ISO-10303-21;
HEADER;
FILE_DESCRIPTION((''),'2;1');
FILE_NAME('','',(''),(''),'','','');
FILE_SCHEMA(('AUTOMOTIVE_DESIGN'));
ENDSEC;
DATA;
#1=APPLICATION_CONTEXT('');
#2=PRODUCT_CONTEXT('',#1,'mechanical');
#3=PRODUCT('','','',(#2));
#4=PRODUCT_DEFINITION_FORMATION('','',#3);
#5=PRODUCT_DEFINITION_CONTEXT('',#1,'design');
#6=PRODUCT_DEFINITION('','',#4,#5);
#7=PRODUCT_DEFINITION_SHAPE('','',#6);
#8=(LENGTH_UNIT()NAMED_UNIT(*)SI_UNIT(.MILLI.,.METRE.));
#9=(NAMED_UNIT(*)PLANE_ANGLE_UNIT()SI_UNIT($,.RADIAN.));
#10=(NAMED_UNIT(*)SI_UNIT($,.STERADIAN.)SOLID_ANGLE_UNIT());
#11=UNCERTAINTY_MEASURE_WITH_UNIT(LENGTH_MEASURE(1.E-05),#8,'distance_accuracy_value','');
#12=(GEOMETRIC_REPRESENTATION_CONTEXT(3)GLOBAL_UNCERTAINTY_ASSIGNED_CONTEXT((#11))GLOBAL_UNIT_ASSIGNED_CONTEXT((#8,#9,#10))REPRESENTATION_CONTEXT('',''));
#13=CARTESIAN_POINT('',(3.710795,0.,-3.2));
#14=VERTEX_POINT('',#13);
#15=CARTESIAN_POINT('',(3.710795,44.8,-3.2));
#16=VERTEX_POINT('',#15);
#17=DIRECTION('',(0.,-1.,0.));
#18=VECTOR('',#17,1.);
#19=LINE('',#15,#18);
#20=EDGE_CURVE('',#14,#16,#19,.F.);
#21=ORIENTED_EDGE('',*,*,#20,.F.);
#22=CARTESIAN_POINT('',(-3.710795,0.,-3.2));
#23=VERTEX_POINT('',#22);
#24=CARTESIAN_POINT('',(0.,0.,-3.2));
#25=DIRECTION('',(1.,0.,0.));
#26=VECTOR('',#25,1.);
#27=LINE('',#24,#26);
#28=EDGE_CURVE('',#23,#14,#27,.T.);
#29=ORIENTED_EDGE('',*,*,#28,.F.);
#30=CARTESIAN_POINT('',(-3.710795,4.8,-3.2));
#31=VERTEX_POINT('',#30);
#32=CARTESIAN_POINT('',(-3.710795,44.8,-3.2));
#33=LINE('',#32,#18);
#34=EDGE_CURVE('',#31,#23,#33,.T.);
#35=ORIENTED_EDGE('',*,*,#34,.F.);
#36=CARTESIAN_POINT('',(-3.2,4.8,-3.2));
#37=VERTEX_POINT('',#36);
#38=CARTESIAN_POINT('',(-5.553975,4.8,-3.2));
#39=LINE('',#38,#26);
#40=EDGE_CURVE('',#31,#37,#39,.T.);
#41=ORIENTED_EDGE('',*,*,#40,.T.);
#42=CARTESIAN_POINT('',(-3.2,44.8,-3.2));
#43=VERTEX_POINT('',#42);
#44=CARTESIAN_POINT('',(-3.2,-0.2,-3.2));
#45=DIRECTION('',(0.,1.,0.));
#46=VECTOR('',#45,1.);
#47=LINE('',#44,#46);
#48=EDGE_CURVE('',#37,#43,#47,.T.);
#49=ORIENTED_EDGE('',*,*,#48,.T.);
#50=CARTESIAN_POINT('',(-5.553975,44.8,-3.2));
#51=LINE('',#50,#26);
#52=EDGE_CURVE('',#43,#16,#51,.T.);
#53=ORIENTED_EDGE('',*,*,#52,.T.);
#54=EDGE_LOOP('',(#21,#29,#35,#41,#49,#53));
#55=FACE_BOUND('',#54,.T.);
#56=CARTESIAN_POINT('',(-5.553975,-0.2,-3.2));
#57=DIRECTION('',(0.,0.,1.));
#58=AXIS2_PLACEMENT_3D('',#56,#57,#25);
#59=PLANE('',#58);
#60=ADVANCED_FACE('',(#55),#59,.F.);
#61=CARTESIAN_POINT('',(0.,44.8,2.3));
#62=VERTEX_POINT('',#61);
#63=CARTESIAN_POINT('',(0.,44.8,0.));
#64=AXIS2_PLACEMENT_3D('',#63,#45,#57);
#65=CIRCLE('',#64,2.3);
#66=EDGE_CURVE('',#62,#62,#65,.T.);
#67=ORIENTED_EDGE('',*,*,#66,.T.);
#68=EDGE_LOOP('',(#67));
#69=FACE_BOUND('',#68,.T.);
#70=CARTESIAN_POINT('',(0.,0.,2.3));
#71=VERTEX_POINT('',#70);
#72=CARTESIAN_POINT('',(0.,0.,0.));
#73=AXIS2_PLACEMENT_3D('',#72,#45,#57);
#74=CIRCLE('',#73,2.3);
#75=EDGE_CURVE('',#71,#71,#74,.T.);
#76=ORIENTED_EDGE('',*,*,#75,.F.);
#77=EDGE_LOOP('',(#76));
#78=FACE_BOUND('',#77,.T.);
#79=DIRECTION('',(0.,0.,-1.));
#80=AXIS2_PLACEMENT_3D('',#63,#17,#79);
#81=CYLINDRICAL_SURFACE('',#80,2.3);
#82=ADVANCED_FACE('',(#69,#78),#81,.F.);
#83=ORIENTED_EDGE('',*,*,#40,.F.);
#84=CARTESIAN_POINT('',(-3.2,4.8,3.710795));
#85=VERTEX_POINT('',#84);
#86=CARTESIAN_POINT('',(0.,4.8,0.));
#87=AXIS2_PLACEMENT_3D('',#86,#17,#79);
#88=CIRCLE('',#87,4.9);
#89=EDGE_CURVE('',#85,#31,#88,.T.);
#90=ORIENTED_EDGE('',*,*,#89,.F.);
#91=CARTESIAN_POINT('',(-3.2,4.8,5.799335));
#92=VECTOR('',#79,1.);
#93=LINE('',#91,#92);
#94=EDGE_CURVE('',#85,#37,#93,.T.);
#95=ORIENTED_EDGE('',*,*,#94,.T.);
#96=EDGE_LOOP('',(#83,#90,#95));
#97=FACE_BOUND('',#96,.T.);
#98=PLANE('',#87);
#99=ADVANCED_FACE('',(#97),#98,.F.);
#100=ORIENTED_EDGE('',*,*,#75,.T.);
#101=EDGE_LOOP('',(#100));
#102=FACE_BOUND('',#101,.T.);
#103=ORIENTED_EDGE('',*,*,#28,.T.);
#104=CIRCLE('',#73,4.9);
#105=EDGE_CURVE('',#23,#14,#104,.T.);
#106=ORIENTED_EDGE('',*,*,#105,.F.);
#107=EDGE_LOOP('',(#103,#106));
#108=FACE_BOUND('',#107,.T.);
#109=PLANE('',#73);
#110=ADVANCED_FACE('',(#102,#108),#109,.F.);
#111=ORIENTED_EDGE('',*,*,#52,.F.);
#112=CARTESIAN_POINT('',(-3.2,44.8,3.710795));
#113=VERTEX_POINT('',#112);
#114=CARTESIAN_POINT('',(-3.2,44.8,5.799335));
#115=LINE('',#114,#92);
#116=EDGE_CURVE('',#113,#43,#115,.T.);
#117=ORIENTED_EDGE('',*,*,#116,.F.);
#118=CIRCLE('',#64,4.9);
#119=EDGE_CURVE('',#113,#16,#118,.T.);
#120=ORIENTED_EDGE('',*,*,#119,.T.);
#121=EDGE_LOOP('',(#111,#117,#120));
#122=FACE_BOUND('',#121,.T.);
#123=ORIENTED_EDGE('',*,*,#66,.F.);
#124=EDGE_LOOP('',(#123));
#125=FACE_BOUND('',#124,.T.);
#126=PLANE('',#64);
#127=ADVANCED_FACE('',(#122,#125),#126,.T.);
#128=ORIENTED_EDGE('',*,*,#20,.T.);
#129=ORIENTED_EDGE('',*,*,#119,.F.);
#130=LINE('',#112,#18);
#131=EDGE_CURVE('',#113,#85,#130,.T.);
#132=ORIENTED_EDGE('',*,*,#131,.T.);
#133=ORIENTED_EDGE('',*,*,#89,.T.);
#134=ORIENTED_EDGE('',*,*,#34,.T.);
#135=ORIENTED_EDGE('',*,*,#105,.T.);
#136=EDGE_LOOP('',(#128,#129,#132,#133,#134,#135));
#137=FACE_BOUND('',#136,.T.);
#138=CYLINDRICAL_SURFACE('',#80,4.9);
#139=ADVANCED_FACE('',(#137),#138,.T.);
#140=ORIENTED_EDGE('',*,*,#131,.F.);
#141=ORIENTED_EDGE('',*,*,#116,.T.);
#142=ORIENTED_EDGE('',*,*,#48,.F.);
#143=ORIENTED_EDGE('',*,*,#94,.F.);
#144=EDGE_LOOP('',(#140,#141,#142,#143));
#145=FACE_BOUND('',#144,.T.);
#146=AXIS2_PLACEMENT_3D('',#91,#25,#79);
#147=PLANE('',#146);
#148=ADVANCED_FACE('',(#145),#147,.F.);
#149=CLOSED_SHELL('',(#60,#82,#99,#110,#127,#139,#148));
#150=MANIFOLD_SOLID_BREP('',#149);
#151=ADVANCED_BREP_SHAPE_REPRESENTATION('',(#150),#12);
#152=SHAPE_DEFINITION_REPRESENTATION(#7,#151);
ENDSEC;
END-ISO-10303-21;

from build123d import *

# Parameters (mm, degrees)
SKETCH1_R           = 4.9
SKETCH1_R_2         = 2.3
BOSS_EXTRUDE1_DEPTH = 44.8
SKETCH2_W           = 12.911728521
SKETCH2_H           = 2.871421643
CUT_EXTRUDE1_DEPTH  = 45
SKETCH3_W           = 17.671201811
SKETCH3_H           = 20
CUT_EXTRUDE2_DEPTH  = 40


with BuildPart() as part:
    # Sketch1 → Boss-Extrude1 (new body)
    with BuildSketch(Plane(origin=(0, 0, 0), x_dir=(1, 0, 0), z_dir=(0, 1, 0))):
        with Locations(Location((0, 0, 0), (0, 0, 270))):
            Circle(SKETCH1_R)
        with Locations(Location((0, 0, 0), (0, 0, 270))):
            Circle(SKETCH1_R_2, mode=Mode.SUBTRACT)
    extrude(amount=BOSS_EXTRUDE1_DEPTH)

    # Sketch2 → Cut-Extrude1 (cut)
    with BuildSketch(Plane(origin=(0, 44.8, 0), x_dir=(1, 0, 0), z_dir=(0, 1, 0))):
        with Locations((0.901888867, 4.635710822)):
            Rectangle(SKETCH2_W, SKETCH2_H)
    extrude(amount=-CUT_EXTRUDE1_DEPTH, mode=Mode.SUBTRACT)

    # Sketch3 → Cut-Extrude2 (cut)
    with BuildSketch(Plane(origin=(0, 44.8, 0), x_dir=(1, 0, 0), z_dir=(0, 1, 0))):
        with Locations((-12.035600906, 4.200665125)):
            Rectangle(SKETCH3_W, SKETCH3_H)
    extrude(amount=-CUT_EXTRUDE2_DEPTH, mode=Mode.SUBTRACT)


solid = part.part
